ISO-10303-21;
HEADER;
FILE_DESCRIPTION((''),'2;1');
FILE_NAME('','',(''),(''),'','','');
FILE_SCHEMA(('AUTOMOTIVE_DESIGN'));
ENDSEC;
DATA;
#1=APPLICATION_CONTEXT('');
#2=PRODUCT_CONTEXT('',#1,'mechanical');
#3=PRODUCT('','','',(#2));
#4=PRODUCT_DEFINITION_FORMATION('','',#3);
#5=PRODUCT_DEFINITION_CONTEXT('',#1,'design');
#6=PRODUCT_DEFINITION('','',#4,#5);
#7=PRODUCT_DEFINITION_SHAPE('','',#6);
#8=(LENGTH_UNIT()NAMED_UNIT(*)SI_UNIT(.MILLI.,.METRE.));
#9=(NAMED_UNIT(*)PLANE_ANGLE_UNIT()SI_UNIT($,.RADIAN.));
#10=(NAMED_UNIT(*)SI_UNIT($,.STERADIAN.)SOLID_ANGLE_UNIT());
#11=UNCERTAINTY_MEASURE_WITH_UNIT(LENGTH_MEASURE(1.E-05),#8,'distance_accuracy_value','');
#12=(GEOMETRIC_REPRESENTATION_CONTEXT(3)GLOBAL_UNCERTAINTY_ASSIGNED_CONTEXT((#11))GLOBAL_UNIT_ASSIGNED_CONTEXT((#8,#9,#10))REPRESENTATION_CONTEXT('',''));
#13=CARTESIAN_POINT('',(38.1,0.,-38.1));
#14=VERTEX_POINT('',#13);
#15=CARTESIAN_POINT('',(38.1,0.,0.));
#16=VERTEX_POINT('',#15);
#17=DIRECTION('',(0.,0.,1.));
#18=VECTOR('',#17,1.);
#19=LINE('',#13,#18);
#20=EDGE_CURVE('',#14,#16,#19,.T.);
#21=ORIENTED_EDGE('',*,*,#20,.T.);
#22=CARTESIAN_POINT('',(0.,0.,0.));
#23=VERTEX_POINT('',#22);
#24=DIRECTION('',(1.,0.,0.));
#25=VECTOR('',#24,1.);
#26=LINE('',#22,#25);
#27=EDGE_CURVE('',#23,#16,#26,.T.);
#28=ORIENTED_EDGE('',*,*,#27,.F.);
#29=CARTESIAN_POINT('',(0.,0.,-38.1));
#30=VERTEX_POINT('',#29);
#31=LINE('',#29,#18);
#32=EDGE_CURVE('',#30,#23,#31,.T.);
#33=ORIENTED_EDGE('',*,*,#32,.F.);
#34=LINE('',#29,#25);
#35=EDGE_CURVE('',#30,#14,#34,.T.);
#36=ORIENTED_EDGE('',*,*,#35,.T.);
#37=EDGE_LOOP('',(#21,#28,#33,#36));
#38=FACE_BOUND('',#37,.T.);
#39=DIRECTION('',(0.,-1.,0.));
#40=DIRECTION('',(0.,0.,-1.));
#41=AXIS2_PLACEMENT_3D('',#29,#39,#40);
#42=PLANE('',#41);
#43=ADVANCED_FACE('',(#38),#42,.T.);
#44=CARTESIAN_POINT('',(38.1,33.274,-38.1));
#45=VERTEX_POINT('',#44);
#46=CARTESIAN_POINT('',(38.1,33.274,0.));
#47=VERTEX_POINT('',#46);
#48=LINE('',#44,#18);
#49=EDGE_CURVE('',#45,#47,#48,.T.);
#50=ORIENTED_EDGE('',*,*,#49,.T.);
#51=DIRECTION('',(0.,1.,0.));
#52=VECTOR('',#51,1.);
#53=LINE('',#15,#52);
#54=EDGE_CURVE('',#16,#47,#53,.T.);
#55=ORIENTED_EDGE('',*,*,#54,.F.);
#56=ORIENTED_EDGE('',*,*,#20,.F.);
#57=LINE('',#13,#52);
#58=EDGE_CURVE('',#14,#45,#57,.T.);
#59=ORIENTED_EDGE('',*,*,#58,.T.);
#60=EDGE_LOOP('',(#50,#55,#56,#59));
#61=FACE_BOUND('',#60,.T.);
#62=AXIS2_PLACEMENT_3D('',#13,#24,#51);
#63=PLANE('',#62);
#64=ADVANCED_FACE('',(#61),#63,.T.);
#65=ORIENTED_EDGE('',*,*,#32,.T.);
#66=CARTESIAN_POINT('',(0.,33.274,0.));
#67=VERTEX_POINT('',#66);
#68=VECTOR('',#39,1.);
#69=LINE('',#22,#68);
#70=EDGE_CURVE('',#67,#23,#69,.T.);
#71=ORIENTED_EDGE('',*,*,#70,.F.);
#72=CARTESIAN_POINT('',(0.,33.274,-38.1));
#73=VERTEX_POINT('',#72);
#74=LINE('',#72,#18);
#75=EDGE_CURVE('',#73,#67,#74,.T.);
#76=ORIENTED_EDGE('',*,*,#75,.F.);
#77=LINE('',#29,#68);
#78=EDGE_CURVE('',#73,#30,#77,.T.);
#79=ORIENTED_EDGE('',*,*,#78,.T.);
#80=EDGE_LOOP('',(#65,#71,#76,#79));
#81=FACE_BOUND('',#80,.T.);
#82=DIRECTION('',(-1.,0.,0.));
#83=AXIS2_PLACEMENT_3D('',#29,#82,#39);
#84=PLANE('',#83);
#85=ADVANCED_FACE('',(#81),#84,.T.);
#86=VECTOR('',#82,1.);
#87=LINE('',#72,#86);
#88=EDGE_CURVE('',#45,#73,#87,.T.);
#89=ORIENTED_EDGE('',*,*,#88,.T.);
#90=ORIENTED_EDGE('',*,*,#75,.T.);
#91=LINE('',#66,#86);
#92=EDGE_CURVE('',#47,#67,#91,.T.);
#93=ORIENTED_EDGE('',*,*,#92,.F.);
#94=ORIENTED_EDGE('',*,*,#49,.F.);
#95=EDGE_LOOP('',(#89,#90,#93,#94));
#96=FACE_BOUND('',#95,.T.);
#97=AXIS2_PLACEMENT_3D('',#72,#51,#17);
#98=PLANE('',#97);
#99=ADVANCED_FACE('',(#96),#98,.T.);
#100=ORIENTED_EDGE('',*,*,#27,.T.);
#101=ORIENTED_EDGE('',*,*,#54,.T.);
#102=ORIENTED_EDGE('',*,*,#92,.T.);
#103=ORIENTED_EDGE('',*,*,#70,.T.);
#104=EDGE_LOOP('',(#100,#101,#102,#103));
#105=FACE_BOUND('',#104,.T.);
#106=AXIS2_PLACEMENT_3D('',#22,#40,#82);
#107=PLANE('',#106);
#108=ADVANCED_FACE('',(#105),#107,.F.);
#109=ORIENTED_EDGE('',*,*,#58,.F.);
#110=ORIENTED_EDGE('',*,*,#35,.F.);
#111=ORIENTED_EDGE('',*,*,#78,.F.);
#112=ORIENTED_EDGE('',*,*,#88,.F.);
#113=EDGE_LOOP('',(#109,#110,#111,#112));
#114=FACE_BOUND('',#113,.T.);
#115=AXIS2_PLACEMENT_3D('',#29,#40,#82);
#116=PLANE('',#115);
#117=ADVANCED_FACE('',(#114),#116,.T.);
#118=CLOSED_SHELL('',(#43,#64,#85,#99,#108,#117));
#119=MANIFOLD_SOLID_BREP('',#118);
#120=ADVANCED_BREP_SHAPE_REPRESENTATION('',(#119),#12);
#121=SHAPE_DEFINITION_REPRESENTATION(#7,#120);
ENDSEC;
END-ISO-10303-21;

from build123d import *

# Parameters (mm, degrees)
SKETCH1_W           = 38.1
SKETCH1_H           = 33.274
BOSS_EXTRUDE1_DEPTH = 38.1


with BuildPart() as part:
    # Sketch1 → Boss-Extrude1 (new body)
    with BuildSketch(Plane.XY):
        with Locations((19.05, 16.637)):
            Rectangle(SKETCH1_W, SKETCH1_H)
    extrude(amount=-BOSS_EXTRUDE1_DEPTH)


solid = part.part
